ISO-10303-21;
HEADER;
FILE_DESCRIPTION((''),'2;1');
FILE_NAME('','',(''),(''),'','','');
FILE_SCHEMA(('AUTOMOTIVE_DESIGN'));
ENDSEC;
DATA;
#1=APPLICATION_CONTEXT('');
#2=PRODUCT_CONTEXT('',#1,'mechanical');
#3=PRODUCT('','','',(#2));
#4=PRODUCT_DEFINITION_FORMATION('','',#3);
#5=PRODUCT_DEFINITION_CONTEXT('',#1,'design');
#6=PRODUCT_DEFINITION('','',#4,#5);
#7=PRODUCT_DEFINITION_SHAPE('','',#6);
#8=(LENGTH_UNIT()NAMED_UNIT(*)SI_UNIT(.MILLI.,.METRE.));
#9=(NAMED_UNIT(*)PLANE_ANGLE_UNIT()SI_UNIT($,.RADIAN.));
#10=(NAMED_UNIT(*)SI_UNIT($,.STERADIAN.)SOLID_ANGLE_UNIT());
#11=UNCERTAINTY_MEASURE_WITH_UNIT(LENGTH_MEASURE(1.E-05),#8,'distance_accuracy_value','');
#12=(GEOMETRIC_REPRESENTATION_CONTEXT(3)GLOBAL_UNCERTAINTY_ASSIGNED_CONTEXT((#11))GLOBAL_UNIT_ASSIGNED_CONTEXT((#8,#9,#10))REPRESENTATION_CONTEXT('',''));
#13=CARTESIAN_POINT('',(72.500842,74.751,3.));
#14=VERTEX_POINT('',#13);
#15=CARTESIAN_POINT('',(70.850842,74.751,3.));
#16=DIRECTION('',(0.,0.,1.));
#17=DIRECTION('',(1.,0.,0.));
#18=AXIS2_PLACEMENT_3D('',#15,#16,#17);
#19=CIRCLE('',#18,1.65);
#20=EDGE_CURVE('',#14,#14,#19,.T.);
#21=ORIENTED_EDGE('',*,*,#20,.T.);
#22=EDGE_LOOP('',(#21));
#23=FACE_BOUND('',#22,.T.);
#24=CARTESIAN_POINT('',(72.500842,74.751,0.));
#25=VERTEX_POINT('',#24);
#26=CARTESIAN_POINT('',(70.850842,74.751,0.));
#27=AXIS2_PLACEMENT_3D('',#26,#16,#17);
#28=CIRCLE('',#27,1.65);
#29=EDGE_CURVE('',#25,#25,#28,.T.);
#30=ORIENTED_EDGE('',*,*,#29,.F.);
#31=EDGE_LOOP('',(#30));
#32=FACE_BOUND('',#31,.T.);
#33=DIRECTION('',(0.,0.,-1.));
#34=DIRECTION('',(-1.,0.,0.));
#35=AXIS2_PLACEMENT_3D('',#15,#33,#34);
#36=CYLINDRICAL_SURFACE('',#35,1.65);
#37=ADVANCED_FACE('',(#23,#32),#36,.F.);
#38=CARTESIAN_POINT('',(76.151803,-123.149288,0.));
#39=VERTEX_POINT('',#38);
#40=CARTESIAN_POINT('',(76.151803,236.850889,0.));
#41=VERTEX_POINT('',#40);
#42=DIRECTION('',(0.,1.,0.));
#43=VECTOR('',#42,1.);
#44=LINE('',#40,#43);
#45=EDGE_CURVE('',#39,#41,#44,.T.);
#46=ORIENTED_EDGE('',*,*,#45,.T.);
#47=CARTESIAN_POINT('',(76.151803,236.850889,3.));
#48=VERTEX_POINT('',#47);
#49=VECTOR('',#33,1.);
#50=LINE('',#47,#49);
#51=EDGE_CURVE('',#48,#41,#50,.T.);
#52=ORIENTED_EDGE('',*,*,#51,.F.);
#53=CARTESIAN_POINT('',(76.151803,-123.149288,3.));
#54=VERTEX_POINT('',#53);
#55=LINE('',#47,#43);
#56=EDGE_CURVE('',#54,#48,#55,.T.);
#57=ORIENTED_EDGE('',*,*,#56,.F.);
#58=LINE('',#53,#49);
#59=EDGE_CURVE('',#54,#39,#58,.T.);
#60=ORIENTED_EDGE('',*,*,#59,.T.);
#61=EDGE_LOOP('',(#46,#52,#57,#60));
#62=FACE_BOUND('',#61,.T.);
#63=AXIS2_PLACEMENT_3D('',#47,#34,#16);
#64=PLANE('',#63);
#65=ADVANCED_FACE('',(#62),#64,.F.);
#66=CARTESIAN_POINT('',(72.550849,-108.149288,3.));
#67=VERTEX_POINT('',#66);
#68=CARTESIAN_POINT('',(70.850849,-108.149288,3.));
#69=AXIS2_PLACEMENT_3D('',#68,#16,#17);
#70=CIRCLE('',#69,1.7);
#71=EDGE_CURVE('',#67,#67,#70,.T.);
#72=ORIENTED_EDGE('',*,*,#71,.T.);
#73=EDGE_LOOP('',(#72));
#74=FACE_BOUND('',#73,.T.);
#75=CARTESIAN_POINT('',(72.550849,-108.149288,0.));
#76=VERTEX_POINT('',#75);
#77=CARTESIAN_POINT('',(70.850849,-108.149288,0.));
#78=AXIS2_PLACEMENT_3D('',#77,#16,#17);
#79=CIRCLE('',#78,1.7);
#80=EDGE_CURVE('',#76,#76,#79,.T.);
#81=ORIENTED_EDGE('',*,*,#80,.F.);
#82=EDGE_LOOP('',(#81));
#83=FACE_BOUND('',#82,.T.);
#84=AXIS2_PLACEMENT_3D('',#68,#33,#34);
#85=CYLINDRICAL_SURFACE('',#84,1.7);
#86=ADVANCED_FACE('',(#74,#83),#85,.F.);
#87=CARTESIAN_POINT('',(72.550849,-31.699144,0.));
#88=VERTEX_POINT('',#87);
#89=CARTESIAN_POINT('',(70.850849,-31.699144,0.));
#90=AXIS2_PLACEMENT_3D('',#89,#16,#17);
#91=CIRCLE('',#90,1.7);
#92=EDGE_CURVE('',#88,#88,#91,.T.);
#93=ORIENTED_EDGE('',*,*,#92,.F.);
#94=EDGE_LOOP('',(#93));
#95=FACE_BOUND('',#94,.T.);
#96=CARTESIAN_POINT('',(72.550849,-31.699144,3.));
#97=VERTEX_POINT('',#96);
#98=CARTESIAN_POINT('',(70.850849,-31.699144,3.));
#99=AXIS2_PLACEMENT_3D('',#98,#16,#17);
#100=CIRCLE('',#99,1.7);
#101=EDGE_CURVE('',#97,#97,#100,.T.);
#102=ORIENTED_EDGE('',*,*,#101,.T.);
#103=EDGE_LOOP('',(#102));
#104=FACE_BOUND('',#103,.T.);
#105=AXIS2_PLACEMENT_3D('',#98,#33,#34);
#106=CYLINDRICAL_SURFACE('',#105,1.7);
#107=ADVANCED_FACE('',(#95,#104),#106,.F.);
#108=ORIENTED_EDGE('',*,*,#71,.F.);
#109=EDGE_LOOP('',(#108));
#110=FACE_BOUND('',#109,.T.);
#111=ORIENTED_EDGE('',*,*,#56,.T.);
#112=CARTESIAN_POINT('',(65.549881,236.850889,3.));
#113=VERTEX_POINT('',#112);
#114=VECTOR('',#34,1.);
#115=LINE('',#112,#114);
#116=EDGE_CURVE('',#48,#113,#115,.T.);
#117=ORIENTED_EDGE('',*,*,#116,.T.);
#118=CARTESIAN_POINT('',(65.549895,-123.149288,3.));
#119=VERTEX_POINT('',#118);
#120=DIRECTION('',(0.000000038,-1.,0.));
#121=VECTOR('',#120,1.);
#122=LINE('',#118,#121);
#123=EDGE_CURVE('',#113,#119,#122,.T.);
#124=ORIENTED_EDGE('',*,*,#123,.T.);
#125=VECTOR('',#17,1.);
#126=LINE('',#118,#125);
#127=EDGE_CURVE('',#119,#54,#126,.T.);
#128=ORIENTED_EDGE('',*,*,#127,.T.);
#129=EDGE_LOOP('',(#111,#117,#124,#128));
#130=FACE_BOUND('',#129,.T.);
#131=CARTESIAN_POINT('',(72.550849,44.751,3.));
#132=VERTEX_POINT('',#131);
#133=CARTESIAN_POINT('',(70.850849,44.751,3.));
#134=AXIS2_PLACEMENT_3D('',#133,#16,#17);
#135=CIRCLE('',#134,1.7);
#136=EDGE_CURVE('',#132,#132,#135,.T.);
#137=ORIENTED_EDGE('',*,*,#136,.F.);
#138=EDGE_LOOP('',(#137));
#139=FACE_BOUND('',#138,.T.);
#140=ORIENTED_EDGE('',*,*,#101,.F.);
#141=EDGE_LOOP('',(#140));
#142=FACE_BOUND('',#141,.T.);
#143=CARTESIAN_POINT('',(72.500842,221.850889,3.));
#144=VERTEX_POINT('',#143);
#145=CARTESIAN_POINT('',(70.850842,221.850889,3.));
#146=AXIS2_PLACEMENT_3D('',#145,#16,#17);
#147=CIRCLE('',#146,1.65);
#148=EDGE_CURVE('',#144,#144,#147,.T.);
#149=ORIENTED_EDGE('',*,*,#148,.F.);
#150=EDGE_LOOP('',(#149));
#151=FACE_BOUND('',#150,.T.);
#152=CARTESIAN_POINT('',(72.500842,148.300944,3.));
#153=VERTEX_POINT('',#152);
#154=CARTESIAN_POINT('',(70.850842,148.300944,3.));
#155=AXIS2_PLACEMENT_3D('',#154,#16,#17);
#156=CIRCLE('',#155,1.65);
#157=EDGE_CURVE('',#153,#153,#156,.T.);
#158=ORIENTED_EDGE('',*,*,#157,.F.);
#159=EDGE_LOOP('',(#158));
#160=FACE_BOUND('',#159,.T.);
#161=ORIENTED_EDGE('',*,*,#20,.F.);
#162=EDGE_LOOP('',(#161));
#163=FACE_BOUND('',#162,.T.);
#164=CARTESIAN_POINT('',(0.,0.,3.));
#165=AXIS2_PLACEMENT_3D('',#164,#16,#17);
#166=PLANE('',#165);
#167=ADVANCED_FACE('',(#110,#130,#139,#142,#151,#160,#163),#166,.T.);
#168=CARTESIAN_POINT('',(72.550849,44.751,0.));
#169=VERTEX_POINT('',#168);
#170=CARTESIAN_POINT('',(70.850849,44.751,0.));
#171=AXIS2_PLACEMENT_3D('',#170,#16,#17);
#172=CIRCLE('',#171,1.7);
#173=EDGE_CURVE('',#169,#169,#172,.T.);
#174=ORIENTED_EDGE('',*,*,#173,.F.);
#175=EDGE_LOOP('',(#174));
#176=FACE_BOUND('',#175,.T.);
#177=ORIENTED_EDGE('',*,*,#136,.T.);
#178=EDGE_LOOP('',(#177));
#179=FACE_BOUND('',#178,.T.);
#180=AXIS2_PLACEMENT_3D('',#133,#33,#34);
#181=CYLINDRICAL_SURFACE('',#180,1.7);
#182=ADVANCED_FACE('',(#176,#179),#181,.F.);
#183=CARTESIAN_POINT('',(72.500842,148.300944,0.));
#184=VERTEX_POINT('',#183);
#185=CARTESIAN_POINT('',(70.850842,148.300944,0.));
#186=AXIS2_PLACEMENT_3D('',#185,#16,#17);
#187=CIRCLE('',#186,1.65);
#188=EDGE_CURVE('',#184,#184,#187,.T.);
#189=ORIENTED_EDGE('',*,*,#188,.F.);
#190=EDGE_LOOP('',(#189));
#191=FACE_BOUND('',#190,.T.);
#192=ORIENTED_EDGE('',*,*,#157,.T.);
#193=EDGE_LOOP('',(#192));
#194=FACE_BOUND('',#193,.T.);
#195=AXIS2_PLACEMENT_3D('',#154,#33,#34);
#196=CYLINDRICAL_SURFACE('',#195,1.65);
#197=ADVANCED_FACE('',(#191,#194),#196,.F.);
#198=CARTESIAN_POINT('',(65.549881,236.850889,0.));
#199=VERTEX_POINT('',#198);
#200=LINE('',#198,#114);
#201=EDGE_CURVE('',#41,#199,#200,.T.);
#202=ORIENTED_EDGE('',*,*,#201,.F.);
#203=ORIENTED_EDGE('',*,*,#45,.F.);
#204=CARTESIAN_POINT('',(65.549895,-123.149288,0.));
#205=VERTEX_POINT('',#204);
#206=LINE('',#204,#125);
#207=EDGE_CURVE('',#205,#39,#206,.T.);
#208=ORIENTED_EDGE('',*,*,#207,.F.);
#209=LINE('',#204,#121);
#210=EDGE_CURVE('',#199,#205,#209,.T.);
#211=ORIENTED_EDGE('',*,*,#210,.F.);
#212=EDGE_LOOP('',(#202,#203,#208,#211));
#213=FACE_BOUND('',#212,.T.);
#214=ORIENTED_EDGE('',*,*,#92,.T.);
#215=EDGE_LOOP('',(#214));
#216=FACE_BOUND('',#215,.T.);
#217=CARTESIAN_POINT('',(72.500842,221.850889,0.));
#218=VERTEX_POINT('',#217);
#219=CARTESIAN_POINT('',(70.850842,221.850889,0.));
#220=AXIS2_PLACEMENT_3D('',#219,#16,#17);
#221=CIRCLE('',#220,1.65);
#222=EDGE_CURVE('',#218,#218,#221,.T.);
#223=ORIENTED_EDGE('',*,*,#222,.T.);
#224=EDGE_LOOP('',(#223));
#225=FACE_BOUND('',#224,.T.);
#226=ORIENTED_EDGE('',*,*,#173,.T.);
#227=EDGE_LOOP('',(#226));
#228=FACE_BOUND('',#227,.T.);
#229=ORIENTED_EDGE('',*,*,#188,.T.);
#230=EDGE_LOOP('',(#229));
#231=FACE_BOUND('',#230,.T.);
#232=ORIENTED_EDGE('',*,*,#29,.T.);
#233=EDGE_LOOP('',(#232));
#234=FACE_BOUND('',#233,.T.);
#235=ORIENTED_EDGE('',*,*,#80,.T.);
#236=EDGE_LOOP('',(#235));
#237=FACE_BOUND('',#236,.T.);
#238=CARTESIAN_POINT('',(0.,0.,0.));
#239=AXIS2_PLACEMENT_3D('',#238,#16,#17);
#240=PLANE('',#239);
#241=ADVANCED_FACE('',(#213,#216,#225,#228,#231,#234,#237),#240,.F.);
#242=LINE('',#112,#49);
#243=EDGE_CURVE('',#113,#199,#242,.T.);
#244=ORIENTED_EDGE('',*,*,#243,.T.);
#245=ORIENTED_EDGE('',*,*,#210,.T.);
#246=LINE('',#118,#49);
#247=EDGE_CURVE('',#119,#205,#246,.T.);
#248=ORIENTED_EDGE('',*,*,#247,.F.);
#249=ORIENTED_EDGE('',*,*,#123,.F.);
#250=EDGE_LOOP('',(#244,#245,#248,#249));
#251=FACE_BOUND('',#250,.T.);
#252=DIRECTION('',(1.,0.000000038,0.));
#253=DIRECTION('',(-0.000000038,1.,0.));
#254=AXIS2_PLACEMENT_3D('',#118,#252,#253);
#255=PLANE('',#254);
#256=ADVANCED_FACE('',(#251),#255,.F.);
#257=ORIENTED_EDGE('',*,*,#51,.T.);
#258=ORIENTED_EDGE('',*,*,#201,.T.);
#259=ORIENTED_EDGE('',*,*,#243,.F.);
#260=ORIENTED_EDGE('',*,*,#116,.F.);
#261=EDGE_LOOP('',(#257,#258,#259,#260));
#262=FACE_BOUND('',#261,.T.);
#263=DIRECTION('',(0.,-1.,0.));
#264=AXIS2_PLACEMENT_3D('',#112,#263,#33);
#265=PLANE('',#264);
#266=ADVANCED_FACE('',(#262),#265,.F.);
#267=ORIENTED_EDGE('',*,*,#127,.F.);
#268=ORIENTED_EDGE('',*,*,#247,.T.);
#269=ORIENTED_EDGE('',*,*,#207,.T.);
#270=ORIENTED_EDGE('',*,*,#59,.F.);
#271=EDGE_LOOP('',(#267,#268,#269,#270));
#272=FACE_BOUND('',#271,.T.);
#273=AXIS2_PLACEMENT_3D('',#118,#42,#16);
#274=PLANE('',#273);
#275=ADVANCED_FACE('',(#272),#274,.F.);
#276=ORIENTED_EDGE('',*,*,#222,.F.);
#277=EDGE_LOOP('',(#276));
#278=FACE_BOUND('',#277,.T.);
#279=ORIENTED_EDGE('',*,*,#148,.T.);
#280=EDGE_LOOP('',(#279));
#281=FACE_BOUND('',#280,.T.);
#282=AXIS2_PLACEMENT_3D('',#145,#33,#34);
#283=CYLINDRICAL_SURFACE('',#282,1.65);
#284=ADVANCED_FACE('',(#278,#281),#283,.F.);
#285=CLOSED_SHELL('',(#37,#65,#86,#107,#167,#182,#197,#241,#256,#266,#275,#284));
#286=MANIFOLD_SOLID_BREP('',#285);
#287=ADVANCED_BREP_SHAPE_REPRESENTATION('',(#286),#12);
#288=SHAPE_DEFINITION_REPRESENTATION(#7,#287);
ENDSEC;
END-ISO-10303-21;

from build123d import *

# Parameters (mm, degrees)
CROQUIS2_R              = 1.65
CROQUIS2_R_2            = 1.7
SALIENTE_EXTRUIR1_DEPTH = 3


with BuildPart() as part:
    # Croquis2 → Saliente-Extruir1 (new body)
    with BuildSketch(Plane.XY):
        Polygon((65.549894739, -123.149288148), (76.151803136, -123.149288148), (76.151803136, 236.850888729), (65.549881, 236.850888729), align=None)
        with Locations((70.850842068, 221.850888729)):
            Circle(CROQUIS2_R, mode=Mode.SUBTRACT)
        with Locations((70.850842068, 148.300944492)):
            Circle(CROQUIS2_R, mode=Mode.SUBTRACT)
        with Locations((70.850842068, 74.751000255)):
            Circle(CROQUIS2_R, mode=Mode.SUBTRACT)
        with Locations((70.850848938, 44.751000255)):
            Circle(CROQUIS2_R_2, mode=Mode.SUBTRACT)
        with Locations((70.850848938, -31.699143946)):
            Circle(CROQUIS2_R_2, mode=Mode.SUBTRACT)
        with Locations((70.850848938, -108.149288148)):
            Circle(CROQUIS2_R_2, mode=Mode.SUBTRACT)
    extrude(amount=SALIENTE_EXTRUIR1_DEPTH)


solid = part.part
